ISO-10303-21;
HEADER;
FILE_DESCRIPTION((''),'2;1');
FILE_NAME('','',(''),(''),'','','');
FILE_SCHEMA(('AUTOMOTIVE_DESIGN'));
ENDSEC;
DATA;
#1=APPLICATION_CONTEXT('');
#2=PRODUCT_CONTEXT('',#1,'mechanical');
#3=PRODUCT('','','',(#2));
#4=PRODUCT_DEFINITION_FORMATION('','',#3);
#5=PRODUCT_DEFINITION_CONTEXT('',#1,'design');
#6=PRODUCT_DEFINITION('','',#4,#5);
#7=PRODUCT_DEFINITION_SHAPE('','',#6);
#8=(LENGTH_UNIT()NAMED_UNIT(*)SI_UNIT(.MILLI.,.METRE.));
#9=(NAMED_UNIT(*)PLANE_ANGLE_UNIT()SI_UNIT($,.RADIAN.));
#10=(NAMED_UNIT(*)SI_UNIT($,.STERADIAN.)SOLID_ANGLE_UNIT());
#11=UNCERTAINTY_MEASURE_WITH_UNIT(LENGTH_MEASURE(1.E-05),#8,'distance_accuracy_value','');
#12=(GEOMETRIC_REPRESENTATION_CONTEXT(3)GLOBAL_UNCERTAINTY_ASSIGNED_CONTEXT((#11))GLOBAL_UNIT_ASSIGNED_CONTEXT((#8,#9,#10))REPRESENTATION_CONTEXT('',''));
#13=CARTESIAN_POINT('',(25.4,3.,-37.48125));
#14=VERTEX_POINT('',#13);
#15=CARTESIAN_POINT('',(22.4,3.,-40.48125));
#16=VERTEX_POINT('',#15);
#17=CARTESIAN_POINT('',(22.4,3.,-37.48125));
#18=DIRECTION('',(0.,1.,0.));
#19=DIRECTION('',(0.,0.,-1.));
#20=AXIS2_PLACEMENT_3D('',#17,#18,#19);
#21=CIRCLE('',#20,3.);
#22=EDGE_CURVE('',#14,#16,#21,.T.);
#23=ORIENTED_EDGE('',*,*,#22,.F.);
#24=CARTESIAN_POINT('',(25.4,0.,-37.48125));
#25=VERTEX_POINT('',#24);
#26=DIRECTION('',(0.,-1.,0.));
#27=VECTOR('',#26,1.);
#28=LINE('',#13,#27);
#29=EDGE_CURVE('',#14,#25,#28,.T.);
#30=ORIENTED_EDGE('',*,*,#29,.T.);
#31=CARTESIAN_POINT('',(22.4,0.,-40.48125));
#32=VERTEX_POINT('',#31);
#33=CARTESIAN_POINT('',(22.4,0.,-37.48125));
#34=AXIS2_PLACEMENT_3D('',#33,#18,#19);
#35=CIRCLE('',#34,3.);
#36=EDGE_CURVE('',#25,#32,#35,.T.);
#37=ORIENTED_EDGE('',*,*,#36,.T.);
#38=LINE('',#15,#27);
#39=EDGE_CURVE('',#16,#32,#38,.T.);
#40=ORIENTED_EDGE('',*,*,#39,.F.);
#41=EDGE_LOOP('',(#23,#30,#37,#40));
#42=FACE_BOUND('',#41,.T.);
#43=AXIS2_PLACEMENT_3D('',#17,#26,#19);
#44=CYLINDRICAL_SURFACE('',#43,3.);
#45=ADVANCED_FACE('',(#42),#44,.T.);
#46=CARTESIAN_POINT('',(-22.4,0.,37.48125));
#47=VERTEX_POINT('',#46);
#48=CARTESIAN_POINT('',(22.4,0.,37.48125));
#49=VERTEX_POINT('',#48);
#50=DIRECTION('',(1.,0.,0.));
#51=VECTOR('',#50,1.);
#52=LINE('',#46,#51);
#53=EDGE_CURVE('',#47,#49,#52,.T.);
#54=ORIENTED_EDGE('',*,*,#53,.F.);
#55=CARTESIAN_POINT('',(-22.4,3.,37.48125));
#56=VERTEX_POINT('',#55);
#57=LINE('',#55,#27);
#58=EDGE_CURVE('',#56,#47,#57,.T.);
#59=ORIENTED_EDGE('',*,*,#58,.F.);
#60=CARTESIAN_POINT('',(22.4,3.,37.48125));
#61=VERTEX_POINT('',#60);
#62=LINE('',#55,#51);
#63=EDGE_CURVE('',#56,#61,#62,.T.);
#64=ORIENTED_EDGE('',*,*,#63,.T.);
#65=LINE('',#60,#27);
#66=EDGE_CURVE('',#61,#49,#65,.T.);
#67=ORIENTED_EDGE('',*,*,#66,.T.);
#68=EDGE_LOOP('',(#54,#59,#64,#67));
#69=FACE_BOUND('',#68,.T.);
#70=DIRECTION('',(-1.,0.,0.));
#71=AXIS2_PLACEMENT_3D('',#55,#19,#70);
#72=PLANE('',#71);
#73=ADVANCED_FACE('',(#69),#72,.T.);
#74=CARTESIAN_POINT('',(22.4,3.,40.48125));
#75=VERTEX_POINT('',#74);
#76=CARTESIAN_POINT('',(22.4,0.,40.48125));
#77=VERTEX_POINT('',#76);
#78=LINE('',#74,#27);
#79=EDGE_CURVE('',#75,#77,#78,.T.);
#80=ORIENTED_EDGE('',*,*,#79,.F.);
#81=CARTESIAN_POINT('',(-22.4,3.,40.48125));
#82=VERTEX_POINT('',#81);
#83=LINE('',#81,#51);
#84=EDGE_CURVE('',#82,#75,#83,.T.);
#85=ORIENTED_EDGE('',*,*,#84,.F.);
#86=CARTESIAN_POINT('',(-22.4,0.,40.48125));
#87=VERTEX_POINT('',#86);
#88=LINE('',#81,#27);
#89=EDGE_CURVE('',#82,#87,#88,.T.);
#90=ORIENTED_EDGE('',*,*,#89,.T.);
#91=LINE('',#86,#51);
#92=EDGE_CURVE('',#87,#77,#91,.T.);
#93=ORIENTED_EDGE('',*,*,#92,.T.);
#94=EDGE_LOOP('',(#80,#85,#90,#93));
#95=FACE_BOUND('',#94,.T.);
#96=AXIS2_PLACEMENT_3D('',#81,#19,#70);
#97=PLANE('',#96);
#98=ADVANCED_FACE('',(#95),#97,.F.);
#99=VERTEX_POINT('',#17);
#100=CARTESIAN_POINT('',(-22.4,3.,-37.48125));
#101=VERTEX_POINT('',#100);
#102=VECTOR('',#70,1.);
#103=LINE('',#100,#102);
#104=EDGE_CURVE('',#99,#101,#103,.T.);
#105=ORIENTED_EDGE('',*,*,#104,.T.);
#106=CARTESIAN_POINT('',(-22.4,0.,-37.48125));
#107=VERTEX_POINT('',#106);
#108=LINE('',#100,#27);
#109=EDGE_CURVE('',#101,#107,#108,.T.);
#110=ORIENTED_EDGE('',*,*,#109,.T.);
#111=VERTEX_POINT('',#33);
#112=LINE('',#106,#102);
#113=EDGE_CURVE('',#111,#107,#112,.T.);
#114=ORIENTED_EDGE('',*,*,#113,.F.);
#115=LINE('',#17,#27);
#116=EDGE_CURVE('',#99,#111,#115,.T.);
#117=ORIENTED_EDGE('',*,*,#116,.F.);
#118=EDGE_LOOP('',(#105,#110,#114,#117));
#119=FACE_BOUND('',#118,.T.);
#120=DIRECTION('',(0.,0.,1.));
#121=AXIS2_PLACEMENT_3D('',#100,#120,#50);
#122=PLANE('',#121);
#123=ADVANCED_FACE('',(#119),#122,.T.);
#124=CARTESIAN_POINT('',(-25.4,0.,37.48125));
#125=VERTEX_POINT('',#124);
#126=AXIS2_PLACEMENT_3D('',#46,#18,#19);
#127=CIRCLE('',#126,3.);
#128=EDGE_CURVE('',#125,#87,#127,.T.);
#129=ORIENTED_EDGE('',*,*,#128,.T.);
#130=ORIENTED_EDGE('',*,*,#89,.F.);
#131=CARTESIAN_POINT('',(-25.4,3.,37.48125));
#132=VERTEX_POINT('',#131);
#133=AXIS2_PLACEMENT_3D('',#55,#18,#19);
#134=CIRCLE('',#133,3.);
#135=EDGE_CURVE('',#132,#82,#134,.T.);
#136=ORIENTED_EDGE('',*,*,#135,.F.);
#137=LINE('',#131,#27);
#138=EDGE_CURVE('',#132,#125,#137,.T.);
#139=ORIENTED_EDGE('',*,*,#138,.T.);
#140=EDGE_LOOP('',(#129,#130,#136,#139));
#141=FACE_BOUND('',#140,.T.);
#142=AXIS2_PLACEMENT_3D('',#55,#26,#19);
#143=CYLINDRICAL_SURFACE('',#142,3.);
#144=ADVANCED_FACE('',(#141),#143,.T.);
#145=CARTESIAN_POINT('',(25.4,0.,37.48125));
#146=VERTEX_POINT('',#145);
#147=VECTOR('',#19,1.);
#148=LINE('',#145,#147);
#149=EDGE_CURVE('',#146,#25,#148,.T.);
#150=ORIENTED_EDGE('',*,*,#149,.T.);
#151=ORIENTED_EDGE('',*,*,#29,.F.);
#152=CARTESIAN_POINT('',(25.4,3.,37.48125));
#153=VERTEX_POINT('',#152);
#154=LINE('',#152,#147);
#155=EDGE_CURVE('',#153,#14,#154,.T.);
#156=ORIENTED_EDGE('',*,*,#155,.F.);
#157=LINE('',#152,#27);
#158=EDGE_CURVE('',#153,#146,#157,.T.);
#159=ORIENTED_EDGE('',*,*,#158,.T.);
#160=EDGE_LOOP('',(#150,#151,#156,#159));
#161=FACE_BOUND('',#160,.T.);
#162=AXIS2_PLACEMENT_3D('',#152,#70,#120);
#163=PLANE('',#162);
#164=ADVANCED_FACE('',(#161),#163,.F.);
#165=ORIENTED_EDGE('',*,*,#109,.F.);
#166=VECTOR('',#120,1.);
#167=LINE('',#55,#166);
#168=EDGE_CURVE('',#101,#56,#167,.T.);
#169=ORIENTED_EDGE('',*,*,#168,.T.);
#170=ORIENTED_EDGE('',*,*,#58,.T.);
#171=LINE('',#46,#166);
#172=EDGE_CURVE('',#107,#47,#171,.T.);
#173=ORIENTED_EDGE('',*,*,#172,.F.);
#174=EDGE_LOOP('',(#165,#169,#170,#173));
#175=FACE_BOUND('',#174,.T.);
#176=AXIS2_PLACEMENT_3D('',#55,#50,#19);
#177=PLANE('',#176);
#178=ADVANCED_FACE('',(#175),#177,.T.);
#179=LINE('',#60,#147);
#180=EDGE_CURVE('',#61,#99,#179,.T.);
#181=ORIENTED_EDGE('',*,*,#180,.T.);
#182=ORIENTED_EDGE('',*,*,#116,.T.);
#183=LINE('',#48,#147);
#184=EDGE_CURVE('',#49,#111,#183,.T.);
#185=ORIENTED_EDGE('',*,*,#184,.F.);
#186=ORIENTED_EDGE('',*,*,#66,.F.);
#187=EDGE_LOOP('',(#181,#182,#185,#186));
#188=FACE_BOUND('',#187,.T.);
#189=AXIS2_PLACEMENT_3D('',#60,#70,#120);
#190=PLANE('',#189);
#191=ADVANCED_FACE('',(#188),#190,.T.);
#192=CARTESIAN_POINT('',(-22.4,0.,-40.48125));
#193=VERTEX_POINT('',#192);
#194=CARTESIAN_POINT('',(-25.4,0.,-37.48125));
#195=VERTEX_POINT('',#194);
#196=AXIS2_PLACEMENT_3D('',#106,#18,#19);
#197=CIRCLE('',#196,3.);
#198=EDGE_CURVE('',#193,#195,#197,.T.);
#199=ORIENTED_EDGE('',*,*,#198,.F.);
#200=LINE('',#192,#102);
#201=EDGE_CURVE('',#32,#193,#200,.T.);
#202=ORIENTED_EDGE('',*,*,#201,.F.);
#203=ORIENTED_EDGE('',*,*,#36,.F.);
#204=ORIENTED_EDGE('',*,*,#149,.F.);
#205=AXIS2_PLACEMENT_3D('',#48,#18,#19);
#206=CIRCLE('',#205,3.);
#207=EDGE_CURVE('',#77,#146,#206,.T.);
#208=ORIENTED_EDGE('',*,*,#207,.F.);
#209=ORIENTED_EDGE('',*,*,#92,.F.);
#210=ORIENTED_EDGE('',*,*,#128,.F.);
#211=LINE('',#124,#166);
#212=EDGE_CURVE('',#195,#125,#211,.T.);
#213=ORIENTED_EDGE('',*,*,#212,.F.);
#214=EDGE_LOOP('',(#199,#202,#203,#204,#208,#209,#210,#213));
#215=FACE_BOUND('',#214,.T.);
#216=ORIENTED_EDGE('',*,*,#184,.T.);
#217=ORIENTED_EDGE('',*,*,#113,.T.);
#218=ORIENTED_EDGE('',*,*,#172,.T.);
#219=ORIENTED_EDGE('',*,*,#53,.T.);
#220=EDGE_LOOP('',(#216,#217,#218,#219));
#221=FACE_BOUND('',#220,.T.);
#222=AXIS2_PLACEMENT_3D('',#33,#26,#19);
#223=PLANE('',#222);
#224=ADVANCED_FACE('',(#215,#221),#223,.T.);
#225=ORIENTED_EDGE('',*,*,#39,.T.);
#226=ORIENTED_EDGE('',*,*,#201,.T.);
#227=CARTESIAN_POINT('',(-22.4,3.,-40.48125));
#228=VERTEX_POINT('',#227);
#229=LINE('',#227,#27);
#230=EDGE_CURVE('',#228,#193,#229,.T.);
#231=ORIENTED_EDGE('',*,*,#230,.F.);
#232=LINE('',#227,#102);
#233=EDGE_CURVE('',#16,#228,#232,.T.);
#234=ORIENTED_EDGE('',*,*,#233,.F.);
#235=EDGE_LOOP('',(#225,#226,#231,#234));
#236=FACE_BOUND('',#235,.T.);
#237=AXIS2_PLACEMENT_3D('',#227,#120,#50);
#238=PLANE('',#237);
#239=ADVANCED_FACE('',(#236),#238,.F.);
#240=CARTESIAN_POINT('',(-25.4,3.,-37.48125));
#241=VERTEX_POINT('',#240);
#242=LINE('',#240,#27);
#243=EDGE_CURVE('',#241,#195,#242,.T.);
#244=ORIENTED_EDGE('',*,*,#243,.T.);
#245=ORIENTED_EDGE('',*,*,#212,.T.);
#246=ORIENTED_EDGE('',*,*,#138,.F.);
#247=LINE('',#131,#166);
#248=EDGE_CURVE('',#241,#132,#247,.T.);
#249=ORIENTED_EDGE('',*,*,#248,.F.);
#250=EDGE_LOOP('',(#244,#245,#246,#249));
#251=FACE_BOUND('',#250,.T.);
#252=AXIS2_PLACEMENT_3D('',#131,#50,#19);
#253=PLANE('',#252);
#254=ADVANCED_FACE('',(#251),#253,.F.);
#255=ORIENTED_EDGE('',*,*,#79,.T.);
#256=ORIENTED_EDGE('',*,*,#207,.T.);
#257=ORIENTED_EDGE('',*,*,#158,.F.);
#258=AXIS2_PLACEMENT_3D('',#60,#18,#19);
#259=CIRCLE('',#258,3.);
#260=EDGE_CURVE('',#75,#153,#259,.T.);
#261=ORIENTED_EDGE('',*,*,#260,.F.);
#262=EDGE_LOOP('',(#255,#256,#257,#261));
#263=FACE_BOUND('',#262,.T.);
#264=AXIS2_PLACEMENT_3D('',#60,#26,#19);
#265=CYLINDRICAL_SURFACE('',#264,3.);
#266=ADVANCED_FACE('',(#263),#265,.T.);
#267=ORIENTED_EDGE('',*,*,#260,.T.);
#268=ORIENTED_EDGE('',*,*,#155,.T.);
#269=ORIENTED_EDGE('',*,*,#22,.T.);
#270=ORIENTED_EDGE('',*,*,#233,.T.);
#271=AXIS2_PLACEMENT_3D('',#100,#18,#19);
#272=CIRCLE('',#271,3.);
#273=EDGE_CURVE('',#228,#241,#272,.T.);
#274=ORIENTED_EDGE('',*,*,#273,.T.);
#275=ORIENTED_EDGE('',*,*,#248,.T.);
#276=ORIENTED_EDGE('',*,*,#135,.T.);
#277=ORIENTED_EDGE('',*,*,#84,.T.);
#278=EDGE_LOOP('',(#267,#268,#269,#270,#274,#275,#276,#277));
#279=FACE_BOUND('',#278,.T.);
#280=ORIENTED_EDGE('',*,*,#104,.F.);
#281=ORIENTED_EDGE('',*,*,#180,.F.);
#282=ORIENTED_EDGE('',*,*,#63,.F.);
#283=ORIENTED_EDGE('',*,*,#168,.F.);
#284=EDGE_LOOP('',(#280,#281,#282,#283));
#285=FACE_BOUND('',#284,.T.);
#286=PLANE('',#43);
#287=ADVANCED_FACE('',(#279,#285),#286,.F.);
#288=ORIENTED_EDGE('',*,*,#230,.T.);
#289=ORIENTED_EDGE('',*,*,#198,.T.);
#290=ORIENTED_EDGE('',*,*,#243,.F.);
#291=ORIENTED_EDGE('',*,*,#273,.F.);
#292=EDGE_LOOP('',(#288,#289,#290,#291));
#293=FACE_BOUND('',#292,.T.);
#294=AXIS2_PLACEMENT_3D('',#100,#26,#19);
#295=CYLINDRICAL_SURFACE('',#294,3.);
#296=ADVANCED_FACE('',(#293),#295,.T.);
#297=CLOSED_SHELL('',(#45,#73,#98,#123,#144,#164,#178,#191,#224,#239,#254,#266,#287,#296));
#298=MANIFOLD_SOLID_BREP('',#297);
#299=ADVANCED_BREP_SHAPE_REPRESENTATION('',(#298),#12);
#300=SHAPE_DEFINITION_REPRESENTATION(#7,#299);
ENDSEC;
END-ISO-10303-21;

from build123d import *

# Parameters (mm, degrees)
SKETCH1_W           = 44.8
SKETCH1_H           = 74.9625
BOSS_EXTRUDE1_DEPTH = 3


with BuildPart() as part:
    # Sketch1 → Boss-Extrude1 (new body)
    with BuildSketch(Plane(origin=(0, 0, 0), x_dir=(1, 0, 0), z_dir=(0, 1, 0))):
        with BuildLine():
            Line((-22.4, -40.48125), (22.4, -40.48125))
            ThreePointArc((22.4, -40.48125), (24.521320344, -39.602570344), (25.4, -37.48125))
            Line((25.4, -37.48125), (25.4, 37.48125))
            ThreePointArc((25.4, 37.48125), (24.521320344, 39.602570344), (22.4, 40.48125))
            Line((22.4, 40.48125), (-22.4, 40.48125))
            ThreePointArc((-22.4, 40.48125), (-24.521320344, 39.602570344), (-25.4, 37.48125))
            Line((-25.4, 37.48125), (-25.4, -37.48125))
            ThreePointArc((-25.4, -37.48125), (-24.521320344, -39.602570344), (-22.4, -40.48125))
        make_face()
        Rectangle(SKETCH1_W, SKETCH1_H, mode=Mode.SUBTRACT)
    extrude(amount=BOSS_EXTRUDE1_DEPTH)


solid = part.part
